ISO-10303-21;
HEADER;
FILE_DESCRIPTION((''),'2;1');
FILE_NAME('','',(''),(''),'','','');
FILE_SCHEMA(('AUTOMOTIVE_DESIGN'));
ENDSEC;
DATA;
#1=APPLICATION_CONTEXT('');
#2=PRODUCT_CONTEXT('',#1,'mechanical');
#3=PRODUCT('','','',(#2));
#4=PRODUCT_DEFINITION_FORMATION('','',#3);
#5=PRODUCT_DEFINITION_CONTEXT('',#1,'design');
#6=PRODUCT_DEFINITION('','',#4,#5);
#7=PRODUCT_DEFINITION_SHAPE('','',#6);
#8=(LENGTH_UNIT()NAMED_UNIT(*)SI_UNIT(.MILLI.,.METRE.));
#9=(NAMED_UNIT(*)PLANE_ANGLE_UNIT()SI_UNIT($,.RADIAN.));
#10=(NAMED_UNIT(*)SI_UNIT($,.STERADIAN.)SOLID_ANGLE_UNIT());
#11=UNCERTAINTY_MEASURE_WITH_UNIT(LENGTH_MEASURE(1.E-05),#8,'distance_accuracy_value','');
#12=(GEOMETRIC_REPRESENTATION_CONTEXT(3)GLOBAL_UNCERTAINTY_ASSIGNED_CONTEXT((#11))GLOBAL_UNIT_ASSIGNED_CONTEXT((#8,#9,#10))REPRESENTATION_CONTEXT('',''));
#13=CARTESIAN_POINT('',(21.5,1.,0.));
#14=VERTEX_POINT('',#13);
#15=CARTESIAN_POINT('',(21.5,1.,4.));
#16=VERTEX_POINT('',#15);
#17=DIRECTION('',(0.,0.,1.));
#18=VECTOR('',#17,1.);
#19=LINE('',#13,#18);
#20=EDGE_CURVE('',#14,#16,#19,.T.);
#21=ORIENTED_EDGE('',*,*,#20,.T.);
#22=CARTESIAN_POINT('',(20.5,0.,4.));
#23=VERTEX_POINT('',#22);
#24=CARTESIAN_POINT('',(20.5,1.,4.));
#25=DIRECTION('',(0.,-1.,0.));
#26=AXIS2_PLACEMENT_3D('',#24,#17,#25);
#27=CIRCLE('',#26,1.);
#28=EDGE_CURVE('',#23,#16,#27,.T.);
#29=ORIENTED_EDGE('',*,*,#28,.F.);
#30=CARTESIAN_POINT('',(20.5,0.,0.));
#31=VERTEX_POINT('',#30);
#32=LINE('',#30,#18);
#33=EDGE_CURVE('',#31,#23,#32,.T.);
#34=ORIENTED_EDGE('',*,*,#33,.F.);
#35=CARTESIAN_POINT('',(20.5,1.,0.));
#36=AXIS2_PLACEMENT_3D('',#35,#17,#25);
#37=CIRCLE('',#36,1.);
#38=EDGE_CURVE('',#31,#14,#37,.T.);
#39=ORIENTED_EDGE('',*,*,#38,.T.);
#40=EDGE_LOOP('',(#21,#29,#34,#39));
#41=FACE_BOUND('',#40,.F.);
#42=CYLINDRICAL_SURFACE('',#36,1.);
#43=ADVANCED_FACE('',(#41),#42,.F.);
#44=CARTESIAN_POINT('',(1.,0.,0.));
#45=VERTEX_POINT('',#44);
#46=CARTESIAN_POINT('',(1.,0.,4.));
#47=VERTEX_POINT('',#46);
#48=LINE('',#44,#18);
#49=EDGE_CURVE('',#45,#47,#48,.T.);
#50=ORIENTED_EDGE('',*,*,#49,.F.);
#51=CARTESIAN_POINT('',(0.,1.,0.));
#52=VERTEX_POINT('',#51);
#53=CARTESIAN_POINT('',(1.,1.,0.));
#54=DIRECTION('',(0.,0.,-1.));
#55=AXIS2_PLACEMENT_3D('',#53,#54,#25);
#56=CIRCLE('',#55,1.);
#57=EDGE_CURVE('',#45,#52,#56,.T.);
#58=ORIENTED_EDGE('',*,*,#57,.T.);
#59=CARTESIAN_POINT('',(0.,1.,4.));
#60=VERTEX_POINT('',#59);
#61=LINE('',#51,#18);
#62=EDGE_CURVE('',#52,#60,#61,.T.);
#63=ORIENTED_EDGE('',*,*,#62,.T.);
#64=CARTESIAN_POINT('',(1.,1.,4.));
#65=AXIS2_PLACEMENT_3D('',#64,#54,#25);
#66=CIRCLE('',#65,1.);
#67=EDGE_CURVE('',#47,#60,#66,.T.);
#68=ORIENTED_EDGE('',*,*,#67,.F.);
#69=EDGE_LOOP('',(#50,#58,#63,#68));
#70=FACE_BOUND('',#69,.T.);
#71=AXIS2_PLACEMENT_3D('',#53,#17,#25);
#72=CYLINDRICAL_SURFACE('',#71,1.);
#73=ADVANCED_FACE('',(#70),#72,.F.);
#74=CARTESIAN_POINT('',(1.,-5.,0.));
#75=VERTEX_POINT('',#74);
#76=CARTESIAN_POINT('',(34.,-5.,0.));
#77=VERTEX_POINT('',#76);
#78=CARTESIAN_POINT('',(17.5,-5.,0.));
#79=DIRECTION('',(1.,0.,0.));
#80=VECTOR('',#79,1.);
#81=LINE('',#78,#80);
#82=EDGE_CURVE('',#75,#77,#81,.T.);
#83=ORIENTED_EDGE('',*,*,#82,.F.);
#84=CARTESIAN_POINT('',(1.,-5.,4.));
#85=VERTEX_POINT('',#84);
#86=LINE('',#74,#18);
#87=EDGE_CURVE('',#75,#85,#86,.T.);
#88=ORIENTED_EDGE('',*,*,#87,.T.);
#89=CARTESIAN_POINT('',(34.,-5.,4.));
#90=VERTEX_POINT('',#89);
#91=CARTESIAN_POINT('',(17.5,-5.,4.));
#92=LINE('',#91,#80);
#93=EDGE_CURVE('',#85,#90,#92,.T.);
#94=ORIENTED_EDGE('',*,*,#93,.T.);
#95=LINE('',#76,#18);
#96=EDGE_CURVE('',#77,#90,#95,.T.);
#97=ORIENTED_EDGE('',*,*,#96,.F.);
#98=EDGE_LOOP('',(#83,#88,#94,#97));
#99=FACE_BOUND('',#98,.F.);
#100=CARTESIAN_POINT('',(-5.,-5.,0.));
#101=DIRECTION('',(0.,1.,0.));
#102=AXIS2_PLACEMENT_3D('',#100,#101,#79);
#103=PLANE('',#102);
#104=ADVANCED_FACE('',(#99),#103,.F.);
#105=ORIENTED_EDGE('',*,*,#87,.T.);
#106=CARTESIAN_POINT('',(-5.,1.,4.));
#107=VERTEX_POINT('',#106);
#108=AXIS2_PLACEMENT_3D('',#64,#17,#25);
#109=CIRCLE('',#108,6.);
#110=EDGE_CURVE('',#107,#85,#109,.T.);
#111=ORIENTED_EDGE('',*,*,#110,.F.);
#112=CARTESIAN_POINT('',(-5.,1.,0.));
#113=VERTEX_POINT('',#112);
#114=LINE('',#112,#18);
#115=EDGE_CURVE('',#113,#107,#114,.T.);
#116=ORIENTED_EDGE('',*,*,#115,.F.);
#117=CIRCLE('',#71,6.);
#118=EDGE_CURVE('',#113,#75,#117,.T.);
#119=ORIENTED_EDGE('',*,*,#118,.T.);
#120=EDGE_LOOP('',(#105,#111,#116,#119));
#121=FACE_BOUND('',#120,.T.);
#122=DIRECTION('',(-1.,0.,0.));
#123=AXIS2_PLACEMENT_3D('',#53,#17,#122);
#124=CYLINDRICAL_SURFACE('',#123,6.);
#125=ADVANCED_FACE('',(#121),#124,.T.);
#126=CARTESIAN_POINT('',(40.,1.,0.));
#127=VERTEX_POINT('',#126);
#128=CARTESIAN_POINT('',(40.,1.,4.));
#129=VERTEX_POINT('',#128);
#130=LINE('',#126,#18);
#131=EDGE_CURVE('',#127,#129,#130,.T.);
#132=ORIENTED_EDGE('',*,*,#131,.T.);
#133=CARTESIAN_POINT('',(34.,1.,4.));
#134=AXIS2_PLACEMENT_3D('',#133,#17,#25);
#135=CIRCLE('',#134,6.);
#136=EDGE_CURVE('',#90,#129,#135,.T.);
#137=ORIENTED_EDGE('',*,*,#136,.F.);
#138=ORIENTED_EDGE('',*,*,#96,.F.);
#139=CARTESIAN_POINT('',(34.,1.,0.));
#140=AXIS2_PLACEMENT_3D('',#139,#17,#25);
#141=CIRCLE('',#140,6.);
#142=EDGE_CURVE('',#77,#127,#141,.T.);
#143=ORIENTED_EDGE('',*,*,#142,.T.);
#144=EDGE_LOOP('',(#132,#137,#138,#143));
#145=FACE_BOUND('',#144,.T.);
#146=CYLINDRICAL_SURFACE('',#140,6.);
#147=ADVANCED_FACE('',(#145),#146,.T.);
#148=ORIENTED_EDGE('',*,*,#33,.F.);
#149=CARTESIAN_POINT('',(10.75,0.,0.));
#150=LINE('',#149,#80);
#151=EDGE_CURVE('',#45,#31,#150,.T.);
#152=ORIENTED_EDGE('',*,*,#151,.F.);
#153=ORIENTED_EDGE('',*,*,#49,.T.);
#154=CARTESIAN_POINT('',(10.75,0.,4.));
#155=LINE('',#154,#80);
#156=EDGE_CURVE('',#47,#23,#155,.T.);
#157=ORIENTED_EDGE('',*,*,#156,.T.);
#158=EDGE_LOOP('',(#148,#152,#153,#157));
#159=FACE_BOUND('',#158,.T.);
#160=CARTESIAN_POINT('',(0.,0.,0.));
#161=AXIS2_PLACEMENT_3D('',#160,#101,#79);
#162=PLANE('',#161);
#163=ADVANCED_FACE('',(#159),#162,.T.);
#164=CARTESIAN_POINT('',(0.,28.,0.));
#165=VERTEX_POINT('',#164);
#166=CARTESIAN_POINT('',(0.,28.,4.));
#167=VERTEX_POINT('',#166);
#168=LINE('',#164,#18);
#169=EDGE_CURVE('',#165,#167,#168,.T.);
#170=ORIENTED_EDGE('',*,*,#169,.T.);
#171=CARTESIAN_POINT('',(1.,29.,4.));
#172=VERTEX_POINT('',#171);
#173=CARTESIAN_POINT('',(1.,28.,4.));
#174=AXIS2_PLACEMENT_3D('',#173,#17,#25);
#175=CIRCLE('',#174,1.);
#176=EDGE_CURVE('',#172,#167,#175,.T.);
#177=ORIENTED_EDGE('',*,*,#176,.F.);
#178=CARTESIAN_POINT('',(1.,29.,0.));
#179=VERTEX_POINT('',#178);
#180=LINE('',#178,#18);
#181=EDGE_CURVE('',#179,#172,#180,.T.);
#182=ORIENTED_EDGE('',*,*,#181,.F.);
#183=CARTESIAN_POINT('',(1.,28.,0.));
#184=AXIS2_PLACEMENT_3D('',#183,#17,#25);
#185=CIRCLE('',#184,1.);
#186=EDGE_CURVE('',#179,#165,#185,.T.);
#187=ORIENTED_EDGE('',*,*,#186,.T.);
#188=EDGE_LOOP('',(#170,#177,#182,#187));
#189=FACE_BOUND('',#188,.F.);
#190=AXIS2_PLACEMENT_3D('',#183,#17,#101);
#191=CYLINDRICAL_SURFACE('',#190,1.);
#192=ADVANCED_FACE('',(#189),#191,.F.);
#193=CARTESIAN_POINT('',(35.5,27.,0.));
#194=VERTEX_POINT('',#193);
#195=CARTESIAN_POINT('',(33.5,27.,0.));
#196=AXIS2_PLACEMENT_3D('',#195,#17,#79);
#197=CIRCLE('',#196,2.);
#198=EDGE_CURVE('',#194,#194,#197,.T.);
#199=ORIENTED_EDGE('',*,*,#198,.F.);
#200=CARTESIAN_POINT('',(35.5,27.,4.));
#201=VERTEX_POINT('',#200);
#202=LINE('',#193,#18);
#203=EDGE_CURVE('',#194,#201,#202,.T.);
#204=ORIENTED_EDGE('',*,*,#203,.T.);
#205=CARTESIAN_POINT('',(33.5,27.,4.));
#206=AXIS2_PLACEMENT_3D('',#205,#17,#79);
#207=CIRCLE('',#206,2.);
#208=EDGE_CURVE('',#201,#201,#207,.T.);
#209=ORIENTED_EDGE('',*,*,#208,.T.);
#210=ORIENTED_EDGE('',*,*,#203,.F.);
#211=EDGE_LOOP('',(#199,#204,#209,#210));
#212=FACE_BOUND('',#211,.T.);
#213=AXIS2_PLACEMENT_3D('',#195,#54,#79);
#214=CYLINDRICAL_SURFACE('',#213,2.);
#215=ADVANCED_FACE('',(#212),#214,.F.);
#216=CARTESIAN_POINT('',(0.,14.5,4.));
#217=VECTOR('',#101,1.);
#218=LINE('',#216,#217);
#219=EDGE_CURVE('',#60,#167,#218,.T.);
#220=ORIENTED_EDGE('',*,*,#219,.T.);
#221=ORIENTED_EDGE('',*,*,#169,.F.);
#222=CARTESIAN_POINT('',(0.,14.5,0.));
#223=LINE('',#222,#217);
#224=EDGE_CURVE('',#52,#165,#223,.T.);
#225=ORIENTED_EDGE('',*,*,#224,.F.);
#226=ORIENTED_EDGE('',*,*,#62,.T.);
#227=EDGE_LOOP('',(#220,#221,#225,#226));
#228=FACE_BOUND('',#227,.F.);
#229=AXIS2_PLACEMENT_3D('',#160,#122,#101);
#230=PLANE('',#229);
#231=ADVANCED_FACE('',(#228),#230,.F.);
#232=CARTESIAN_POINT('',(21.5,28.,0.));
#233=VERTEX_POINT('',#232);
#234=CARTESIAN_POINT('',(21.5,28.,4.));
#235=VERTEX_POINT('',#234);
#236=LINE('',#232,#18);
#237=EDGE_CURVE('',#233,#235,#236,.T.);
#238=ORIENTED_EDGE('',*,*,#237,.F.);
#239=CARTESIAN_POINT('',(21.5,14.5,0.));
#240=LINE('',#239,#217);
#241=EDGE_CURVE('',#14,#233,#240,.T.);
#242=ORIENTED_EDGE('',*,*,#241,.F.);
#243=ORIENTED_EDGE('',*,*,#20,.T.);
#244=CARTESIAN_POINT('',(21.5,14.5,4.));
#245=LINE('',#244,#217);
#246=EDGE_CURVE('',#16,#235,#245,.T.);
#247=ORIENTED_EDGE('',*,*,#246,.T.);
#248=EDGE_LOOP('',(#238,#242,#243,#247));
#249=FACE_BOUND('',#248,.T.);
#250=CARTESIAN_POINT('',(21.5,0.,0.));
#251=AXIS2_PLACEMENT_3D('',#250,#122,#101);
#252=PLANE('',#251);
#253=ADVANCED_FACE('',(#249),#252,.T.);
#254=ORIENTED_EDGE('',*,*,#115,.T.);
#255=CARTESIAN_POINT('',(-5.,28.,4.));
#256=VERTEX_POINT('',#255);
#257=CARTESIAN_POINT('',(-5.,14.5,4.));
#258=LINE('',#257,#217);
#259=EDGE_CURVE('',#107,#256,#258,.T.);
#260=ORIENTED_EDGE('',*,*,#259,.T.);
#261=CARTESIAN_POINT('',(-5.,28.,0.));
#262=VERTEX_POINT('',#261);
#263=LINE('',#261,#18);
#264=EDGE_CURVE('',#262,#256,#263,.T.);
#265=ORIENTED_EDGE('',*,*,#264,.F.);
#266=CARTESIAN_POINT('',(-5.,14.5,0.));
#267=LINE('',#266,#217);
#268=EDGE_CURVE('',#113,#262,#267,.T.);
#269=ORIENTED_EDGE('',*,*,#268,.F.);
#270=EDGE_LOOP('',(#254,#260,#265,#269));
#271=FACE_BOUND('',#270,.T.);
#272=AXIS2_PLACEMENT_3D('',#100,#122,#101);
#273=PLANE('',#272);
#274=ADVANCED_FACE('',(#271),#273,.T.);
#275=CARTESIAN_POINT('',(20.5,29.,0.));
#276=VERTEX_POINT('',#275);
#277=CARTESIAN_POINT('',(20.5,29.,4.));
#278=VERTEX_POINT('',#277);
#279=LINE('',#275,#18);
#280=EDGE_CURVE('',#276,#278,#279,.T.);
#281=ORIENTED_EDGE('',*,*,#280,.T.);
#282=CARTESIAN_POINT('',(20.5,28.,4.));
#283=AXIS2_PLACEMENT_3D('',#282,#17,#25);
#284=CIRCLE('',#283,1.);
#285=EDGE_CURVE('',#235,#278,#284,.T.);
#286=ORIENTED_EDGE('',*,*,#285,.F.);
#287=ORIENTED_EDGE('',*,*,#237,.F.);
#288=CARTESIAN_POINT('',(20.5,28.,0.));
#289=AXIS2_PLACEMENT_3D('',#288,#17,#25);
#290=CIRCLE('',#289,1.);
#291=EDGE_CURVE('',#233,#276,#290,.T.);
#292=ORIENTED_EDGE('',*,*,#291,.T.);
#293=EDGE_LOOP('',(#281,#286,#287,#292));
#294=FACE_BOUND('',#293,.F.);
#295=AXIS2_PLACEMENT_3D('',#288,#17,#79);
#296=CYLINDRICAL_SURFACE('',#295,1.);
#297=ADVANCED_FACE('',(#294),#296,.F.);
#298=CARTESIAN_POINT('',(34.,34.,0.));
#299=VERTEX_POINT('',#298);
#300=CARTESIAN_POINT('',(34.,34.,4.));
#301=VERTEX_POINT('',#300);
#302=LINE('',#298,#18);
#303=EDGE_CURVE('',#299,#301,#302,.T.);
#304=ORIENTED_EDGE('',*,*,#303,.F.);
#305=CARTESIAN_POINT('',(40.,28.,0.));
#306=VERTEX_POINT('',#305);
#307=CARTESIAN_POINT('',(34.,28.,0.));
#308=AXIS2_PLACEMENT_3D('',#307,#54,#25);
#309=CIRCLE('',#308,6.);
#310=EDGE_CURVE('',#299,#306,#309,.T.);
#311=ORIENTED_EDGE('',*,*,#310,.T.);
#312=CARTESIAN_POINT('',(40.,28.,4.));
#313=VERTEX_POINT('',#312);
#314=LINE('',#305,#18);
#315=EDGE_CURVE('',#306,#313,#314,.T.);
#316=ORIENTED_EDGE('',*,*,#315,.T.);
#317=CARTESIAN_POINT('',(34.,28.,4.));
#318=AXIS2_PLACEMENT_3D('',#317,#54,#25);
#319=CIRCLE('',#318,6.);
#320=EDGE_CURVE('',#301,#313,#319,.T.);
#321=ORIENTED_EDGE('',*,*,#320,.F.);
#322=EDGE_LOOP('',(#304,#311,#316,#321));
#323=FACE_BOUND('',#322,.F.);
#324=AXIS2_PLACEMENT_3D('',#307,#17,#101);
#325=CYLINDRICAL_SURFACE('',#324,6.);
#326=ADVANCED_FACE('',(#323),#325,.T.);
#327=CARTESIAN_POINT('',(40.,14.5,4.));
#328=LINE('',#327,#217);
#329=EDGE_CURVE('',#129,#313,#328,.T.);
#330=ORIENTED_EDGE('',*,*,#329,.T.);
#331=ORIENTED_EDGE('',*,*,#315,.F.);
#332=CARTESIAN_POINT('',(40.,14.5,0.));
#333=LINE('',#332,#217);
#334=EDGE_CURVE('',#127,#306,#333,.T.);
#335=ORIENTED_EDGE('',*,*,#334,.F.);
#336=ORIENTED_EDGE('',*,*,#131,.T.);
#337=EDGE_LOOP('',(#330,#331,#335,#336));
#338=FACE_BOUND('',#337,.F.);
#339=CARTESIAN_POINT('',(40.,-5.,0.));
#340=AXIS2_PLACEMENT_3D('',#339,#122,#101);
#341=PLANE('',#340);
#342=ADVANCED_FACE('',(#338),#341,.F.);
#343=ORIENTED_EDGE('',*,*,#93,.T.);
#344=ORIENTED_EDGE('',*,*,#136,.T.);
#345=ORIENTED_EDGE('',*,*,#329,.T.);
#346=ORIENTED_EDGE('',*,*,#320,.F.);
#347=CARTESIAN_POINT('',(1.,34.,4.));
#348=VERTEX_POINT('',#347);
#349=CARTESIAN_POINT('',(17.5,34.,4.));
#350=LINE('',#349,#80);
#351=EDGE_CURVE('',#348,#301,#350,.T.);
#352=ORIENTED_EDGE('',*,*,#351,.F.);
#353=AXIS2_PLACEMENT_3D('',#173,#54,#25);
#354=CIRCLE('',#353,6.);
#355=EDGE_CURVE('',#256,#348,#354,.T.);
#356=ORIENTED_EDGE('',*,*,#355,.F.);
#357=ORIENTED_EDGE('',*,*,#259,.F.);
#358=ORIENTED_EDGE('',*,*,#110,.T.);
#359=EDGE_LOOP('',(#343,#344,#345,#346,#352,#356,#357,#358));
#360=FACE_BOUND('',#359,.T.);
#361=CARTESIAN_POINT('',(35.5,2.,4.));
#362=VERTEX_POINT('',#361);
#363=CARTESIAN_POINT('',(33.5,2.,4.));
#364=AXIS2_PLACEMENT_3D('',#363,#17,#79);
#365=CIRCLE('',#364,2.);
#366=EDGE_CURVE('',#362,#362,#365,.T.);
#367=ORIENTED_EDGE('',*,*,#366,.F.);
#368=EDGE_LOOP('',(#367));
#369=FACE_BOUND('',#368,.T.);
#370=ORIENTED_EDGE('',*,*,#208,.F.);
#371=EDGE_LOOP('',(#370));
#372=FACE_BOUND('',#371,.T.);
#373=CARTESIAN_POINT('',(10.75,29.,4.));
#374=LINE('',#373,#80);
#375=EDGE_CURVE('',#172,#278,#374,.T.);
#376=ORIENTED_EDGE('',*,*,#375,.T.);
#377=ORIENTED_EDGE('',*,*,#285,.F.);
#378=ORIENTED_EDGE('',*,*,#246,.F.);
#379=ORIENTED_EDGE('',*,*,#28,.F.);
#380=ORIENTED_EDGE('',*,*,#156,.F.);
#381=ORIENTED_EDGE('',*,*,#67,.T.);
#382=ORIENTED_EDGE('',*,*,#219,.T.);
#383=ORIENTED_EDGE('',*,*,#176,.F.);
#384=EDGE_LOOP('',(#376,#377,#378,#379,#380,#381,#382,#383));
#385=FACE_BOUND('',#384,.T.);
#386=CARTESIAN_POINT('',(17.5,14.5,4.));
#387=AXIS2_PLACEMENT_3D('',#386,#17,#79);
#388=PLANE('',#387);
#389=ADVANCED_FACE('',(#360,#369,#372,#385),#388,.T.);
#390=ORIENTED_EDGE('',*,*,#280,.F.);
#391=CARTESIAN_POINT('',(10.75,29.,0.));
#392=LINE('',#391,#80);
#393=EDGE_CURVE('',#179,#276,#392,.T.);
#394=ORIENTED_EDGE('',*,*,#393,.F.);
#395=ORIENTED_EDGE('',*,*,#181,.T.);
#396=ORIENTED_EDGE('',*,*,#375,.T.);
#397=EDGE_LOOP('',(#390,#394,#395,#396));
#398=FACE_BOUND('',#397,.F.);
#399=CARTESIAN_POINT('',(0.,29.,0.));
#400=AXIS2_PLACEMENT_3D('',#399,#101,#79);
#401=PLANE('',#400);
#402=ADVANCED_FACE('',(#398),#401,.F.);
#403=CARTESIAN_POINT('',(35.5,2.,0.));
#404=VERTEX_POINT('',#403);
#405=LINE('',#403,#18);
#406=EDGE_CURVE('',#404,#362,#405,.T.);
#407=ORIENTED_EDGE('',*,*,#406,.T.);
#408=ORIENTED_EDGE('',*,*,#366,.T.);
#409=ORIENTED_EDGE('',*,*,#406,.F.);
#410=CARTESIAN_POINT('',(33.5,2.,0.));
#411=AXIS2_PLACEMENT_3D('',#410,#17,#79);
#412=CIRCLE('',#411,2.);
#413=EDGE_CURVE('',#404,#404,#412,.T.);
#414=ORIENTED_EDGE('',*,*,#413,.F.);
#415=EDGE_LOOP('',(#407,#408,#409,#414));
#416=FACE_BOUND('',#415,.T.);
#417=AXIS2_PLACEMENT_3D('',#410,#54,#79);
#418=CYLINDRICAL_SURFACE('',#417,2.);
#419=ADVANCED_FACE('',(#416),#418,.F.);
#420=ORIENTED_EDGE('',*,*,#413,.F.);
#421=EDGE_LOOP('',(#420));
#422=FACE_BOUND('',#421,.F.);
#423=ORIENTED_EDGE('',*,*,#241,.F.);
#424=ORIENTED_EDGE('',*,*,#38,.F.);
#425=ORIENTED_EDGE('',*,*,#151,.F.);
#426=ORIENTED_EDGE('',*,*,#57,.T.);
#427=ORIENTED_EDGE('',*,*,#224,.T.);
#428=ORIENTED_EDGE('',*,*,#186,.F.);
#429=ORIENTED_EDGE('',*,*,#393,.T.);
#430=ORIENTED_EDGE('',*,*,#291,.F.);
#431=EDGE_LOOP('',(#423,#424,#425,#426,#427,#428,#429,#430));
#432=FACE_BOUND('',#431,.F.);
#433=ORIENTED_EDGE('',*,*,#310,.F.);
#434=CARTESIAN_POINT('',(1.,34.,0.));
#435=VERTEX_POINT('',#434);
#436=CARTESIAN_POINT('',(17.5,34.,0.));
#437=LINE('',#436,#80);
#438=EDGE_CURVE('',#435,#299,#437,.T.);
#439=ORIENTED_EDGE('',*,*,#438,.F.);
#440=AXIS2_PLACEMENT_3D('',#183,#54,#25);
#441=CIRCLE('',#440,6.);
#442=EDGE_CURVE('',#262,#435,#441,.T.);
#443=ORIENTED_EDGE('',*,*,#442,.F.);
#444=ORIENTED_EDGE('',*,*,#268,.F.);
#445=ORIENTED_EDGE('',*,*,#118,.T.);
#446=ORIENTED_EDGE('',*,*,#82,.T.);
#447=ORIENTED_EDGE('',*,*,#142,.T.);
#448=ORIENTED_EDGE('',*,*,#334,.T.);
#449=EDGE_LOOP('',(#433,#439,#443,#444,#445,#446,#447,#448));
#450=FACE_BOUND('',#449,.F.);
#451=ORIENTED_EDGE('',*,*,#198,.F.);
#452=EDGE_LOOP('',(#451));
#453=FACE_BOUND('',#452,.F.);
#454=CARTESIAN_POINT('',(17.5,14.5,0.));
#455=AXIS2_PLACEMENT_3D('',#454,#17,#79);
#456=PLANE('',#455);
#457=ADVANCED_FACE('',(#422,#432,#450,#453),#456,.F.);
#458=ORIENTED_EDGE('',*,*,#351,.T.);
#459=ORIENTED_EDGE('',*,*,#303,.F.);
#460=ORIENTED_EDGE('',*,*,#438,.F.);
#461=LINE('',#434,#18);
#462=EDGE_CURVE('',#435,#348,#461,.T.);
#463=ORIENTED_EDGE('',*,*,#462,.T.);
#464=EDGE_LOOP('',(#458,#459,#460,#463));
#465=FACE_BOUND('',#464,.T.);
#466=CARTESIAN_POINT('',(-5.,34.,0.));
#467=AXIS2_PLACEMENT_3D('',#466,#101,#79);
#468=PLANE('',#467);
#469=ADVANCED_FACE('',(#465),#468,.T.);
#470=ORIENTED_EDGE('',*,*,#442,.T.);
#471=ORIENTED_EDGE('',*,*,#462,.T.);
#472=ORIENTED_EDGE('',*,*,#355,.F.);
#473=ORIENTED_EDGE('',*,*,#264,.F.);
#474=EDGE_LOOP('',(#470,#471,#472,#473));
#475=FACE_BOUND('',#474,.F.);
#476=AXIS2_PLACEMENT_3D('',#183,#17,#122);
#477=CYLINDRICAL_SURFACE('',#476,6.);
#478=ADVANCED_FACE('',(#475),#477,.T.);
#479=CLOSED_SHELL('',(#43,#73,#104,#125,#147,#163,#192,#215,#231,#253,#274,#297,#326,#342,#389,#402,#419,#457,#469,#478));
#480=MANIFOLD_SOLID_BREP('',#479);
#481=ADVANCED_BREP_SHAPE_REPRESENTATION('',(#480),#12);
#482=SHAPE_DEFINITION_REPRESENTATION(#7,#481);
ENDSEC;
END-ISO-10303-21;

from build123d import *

# Parameters (mm, degrees)
SKETCH_W    = 45
SKETCH_H    = 39
SKETCH_R    = 2
SKETCH_W_2  = 21.5
SKETCH_H_2  = 29
PAD_DEPTH   = 4
FILLET_R    = 6
FILLET001_R = 6
FILLET002_R = 1


with BuildPart() as part:
    # Sketch → Pad (new body)
    with BuildSketch(Plane.XY):
        with Locations((17.5, 14.5)):
            Rectangle(SKETCH_W, SKETCH_H)
        with Locations((33.5, 2)):
            Circle(SKETCH_R, mode=Mode.SUBTRACT)
        with Locations((33.5, 27)):
            Circle(SKETCH_R, mode=Mode.SUBTRACT)
        with Locations((10.75, 14.5)):
            Rectangle(SKETCH_W_2, SKETCH_H_2, mode=Mode.SUBTRACT)
    extrude(amount=PAD_DEPTH)

    # Fillet
    fillet_edges = [part.edges().sort_by_distance(p)[0] for p in [
        (40, -5, 2),
        (-5, -5, 2),
    ]]
    fillet(fillet_edges, radius=FILLET_R)

    # Fillet001
    fillet001_edges = [part.edges().sort_by_distance(p)[0] for p in [
        (-5, 34, 2),
        (40, 34, 2),
    ]]
    fillet(fillet001_edges, radius=FILLET001_R)

    # Fillet002
    fillet002_edges = [part.edges().sort_by_distance(p)[0] for p in [
        (0, 29, 2),
        (0, 0, 2),
        (21.5, 0, 2),
        (21.5, 29, 2),
    ]]
    fillet(fillet002_edges, radius=FILLET002_R)


solid = part.part
